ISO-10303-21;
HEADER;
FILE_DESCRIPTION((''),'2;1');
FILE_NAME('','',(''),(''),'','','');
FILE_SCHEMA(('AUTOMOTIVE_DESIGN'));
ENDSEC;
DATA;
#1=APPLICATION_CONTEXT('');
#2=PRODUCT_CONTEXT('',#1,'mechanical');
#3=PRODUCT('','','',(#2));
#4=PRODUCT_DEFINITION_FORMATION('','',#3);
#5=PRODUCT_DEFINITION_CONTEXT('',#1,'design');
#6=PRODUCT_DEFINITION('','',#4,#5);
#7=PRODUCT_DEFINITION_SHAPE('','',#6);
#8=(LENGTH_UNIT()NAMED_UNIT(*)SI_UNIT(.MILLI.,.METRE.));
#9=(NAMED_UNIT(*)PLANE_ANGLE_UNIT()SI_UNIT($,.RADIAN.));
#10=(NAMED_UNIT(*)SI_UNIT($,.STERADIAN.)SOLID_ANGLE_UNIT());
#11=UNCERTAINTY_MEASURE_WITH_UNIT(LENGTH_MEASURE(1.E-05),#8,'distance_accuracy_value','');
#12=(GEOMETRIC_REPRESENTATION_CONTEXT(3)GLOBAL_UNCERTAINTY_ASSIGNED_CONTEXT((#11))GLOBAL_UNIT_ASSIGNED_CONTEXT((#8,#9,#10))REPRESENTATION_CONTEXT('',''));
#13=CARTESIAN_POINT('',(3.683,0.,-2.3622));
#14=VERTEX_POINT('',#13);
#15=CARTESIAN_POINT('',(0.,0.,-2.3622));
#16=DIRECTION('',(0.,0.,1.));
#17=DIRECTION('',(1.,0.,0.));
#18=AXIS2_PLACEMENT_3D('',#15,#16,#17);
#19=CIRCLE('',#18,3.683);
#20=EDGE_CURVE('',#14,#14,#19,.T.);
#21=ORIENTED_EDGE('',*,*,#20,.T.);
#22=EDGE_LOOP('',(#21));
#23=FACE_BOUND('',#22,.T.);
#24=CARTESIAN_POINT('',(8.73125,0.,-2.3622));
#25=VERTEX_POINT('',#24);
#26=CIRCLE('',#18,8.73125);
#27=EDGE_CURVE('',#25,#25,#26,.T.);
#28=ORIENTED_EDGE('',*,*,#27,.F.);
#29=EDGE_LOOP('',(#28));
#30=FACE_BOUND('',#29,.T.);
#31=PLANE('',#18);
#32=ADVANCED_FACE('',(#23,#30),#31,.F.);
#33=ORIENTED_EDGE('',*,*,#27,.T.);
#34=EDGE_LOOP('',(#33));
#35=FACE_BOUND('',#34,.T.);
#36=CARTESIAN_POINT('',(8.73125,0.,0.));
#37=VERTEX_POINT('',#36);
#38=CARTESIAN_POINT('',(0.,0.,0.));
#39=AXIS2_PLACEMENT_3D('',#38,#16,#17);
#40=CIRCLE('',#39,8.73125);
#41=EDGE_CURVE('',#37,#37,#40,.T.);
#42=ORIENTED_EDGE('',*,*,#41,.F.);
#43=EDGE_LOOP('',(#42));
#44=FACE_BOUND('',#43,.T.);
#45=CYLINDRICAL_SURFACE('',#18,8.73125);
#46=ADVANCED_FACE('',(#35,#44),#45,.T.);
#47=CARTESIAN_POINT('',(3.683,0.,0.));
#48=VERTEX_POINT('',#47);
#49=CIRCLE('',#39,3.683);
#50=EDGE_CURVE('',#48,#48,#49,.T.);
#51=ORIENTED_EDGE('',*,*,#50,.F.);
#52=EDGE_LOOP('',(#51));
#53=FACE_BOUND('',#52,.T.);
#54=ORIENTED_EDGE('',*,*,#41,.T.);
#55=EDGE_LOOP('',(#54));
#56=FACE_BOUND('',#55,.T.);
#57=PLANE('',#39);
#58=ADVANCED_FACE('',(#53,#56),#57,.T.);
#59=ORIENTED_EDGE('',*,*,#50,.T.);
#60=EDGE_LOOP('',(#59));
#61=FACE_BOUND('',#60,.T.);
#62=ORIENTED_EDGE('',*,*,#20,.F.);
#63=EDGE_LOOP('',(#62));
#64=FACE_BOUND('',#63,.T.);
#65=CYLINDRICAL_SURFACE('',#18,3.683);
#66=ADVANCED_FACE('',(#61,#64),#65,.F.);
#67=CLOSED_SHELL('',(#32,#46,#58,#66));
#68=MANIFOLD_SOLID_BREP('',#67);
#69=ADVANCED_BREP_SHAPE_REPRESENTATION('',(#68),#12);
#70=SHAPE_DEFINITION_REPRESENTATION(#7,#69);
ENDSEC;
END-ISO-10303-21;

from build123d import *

# Parameters (mm, degrees)
SKETCH1_R      = 8.73125
SKETCH1_R_2    = 3.683
EXTRUDE1_DEPTH = 2.3622


with BuildPart() as part:
    # Sketch1 → Extrude1 (new body)
    with BuildSketch(Plane.XY):
        Circle(SKETCH1_R)
        Circle(SKETCH1_R_2, mode=Mode.SUBTRACT)
    extrude(amount=-EXTRUDE1_DEPTH)


solid = part.part
